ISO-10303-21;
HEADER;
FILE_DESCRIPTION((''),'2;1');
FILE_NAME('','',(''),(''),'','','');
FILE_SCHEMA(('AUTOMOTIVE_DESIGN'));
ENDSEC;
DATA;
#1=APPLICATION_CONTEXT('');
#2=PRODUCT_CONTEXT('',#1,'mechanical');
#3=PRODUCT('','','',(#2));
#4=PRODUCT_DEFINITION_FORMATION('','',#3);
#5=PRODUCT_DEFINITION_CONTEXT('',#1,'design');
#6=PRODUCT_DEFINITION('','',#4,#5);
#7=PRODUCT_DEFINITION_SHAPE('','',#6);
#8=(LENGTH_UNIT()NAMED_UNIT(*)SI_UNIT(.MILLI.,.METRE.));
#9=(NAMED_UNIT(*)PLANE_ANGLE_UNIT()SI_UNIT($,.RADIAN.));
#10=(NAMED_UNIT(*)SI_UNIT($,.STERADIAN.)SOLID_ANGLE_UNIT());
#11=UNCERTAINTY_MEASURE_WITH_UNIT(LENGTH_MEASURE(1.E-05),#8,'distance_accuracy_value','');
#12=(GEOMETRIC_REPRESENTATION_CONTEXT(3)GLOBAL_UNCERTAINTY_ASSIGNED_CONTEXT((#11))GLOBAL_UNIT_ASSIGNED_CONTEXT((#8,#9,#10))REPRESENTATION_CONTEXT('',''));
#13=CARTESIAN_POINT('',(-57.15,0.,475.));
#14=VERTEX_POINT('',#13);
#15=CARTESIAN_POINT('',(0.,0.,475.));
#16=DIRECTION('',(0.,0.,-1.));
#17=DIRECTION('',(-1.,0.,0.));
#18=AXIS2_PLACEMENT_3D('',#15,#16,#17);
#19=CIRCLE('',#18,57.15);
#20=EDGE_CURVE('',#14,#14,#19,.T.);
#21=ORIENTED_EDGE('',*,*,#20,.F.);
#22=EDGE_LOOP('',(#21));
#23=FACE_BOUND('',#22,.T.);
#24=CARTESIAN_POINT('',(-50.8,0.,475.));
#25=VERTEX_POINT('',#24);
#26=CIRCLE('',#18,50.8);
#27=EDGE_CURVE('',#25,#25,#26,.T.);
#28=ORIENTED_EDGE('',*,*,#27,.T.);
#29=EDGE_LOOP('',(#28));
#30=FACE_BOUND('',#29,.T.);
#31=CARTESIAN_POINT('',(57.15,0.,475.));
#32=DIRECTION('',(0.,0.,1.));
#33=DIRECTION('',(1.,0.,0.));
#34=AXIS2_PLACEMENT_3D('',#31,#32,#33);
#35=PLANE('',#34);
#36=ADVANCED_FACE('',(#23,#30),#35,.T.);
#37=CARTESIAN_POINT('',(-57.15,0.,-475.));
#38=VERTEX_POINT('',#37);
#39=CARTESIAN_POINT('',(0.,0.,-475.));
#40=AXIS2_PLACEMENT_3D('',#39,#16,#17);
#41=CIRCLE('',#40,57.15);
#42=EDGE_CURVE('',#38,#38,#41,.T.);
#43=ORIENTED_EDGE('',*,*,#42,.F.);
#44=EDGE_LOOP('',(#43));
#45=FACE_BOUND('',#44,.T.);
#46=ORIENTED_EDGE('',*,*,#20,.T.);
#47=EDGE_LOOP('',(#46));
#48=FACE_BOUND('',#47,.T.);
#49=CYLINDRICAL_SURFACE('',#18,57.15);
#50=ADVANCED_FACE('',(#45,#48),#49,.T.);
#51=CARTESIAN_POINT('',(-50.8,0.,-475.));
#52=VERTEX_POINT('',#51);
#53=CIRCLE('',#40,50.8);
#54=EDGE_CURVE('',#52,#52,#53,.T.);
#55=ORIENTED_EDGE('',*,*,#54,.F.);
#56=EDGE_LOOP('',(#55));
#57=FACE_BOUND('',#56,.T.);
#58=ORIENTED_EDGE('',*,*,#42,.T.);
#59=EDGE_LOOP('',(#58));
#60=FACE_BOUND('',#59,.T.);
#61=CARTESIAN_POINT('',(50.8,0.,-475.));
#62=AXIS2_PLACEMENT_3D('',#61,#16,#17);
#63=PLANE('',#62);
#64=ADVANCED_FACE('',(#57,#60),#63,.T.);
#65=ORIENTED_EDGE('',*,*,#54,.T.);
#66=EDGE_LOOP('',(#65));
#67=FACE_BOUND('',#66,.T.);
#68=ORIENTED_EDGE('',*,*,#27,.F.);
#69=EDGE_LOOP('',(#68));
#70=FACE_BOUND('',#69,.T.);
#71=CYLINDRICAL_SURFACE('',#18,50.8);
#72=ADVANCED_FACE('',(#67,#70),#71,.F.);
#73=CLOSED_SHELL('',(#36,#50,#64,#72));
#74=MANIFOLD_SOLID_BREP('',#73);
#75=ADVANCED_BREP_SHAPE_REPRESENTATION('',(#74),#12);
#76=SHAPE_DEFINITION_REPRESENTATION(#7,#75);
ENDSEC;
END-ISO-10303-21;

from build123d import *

# Parameters (mm, degrees)
SKETCH_1_W = 6.35
SKETCH_1_H = 950


with BuildPart() as part:
    # 草图1 → 旋转1 (revolve)
    with BuildSketch(Plane.XZ):
        with Locations((53.975, 0)):
            Rectangle(SKETCH_1_W, SKETCH_1_H)
    revolve(axis=Axis((0, 0, 475), (0, 0, -1)))


solid = part.part
